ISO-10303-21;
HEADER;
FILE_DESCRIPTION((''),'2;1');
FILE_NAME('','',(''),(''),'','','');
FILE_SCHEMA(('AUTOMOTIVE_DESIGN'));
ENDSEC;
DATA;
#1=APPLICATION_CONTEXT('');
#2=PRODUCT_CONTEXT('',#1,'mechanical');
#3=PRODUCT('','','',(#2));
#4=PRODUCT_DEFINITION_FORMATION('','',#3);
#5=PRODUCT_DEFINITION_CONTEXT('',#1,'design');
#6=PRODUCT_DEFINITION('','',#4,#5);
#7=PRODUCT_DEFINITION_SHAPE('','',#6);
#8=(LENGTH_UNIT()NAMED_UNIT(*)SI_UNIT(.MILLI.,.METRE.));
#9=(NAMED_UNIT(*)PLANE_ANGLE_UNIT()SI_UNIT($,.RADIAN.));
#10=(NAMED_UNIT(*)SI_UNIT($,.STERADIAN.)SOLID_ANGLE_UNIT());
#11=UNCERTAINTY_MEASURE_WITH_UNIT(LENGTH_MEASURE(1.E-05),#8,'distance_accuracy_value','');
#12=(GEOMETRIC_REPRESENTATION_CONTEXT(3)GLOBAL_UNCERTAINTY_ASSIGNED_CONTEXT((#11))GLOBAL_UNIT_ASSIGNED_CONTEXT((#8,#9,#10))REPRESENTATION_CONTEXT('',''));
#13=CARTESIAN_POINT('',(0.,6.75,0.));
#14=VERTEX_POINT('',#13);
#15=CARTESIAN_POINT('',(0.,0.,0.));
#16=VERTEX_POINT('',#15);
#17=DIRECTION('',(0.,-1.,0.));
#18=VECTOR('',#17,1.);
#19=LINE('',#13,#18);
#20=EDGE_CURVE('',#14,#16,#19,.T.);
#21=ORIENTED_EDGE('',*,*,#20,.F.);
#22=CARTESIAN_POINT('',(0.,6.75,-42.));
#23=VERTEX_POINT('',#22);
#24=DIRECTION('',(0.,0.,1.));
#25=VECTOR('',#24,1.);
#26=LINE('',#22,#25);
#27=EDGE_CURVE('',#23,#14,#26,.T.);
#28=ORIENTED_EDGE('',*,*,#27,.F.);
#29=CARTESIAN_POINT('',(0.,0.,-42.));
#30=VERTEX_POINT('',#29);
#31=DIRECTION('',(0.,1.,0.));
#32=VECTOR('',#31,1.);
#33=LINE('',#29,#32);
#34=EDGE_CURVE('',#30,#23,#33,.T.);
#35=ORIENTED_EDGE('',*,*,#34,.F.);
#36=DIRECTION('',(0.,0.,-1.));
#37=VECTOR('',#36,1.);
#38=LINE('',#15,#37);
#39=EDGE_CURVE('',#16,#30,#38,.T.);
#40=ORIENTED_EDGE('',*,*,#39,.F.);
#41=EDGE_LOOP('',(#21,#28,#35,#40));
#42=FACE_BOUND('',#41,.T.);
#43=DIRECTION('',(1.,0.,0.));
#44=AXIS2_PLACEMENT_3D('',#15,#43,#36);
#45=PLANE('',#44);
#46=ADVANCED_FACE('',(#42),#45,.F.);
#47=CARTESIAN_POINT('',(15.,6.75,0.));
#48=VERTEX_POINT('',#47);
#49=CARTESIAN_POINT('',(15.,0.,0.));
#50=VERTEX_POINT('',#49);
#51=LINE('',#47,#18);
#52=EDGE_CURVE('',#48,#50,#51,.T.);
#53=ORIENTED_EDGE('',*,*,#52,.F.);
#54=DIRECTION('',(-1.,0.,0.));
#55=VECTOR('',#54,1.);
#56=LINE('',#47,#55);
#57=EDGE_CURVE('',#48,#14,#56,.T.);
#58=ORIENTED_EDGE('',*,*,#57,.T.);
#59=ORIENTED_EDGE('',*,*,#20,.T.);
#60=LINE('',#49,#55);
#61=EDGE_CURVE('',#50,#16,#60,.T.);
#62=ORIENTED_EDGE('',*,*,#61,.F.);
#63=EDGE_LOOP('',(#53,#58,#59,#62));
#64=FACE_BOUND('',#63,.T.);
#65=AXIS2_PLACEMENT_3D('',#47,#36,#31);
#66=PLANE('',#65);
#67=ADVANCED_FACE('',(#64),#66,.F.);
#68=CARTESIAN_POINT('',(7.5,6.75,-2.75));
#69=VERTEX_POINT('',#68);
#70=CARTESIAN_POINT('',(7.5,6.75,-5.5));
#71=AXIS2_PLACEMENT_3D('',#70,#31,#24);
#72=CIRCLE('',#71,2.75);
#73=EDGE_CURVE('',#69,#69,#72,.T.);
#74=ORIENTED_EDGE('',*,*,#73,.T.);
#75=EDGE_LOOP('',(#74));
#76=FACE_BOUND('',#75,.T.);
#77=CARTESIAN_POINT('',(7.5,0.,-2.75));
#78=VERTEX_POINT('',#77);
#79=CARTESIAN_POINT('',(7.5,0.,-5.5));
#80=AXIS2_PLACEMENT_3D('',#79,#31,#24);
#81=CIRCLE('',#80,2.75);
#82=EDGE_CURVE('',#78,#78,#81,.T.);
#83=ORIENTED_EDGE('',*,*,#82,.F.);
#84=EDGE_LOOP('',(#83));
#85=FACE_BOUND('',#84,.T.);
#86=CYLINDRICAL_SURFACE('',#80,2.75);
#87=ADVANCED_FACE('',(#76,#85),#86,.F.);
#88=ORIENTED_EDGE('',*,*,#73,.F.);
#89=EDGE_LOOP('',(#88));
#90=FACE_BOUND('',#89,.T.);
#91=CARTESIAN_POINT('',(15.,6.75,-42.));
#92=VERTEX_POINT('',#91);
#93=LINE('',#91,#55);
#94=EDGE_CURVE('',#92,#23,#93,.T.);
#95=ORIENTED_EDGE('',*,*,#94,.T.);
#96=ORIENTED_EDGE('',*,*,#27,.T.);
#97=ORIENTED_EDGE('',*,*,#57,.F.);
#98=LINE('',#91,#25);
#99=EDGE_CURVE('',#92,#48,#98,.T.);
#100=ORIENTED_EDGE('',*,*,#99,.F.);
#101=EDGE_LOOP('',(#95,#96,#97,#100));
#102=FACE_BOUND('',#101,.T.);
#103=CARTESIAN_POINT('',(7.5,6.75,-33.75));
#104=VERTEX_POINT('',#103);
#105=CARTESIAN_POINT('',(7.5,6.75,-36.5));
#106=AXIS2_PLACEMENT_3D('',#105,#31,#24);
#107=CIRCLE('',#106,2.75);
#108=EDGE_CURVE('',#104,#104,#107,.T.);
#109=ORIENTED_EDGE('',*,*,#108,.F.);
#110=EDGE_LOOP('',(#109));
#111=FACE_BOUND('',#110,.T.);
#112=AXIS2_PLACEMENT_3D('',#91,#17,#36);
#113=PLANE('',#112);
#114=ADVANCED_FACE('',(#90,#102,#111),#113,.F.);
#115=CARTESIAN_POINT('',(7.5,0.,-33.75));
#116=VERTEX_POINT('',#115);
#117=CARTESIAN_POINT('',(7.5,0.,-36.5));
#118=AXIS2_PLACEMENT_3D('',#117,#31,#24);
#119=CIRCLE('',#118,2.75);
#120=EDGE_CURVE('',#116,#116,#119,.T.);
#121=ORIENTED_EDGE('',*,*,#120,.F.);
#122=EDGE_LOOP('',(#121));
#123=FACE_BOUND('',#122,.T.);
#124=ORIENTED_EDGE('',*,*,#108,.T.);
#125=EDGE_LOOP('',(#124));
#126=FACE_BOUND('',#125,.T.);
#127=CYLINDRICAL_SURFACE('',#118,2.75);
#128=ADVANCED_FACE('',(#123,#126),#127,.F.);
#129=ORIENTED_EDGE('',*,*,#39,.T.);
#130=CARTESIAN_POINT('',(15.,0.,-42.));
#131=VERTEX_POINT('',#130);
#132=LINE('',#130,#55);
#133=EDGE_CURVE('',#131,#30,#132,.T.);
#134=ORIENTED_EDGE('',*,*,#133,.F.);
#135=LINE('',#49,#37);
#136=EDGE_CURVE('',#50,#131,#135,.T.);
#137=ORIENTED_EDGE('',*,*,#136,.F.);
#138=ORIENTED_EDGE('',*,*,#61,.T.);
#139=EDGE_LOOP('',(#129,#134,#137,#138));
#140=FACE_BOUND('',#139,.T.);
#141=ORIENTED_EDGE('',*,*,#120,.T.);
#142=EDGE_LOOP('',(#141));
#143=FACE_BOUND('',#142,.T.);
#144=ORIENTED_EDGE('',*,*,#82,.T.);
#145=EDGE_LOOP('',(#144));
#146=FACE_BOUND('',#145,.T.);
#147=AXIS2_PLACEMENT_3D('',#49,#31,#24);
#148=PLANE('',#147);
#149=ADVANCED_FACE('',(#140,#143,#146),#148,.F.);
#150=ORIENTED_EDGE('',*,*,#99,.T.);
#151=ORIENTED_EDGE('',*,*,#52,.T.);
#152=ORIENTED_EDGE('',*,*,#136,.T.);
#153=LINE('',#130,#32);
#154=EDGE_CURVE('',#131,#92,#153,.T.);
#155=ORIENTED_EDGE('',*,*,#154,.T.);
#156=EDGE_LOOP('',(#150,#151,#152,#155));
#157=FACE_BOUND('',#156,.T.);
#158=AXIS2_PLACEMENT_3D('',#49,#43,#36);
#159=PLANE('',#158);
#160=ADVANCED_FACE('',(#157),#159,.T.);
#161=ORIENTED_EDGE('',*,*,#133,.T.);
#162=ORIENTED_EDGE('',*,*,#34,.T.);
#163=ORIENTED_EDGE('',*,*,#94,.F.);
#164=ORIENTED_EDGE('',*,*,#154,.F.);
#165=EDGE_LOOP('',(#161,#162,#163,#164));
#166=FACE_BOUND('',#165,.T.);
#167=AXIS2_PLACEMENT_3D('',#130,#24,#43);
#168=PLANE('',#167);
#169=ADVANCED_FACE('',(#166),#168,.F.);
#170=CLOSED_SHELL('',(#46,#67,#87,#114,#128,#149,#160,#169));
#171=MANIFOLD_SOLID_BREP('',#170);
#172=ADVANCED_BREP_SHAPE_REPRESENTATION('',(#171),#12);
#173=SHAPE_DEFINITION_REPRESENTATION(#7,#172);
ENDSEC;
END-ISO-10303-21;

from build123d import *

# Parameters (mm, degrees)
SKETCH1_W                    = 42
SKETCH1_H                    = 6.75
PROFILEBOSS_EXTRUDE1_DEPTH   = 15
SKETCH2_R                    = 2.75
MOUNTHOLESCUT_EXTRUDE1_DEPTH = 46.106124861


with BuildPart() as part:
    # Sketch1 → ProfileBoss-Extrude1 (new body)
    with BuildSketch(Plane(origin=(0, 0, 0), x_dir=(0, 0, -1), z_dir=(1, 0, 0))):
        with Locations((21, 3.375)):
            Rectangle(SKETCH1_W, SKETCH1_H)
    extrude(amount=PROFILEBOSS_EXTRUDE1_DEPTH)

    # Sketch2 → MountHolesCut-Extrude1 (cut, through all)
    with BuildSketch(Plane(origin=(0, 6.75, 0), x_dir=(1, 0, 0), z_dir=(0, 1, 0))):
        with Locations(Location((7.5, 5.5, 0), (0, 0, 270))):
            Circle(SKETCH2_R)
        with Locations(Location((7.5, 36.5, 0), (0, 0, 270))):
            Circle(SKETCH2_R)
    extrude(amount=-MOUNTHOLESCUT_EXTRUDE1_DEPTH, mode=Mode.SUBTRACT)


solid = part.part
